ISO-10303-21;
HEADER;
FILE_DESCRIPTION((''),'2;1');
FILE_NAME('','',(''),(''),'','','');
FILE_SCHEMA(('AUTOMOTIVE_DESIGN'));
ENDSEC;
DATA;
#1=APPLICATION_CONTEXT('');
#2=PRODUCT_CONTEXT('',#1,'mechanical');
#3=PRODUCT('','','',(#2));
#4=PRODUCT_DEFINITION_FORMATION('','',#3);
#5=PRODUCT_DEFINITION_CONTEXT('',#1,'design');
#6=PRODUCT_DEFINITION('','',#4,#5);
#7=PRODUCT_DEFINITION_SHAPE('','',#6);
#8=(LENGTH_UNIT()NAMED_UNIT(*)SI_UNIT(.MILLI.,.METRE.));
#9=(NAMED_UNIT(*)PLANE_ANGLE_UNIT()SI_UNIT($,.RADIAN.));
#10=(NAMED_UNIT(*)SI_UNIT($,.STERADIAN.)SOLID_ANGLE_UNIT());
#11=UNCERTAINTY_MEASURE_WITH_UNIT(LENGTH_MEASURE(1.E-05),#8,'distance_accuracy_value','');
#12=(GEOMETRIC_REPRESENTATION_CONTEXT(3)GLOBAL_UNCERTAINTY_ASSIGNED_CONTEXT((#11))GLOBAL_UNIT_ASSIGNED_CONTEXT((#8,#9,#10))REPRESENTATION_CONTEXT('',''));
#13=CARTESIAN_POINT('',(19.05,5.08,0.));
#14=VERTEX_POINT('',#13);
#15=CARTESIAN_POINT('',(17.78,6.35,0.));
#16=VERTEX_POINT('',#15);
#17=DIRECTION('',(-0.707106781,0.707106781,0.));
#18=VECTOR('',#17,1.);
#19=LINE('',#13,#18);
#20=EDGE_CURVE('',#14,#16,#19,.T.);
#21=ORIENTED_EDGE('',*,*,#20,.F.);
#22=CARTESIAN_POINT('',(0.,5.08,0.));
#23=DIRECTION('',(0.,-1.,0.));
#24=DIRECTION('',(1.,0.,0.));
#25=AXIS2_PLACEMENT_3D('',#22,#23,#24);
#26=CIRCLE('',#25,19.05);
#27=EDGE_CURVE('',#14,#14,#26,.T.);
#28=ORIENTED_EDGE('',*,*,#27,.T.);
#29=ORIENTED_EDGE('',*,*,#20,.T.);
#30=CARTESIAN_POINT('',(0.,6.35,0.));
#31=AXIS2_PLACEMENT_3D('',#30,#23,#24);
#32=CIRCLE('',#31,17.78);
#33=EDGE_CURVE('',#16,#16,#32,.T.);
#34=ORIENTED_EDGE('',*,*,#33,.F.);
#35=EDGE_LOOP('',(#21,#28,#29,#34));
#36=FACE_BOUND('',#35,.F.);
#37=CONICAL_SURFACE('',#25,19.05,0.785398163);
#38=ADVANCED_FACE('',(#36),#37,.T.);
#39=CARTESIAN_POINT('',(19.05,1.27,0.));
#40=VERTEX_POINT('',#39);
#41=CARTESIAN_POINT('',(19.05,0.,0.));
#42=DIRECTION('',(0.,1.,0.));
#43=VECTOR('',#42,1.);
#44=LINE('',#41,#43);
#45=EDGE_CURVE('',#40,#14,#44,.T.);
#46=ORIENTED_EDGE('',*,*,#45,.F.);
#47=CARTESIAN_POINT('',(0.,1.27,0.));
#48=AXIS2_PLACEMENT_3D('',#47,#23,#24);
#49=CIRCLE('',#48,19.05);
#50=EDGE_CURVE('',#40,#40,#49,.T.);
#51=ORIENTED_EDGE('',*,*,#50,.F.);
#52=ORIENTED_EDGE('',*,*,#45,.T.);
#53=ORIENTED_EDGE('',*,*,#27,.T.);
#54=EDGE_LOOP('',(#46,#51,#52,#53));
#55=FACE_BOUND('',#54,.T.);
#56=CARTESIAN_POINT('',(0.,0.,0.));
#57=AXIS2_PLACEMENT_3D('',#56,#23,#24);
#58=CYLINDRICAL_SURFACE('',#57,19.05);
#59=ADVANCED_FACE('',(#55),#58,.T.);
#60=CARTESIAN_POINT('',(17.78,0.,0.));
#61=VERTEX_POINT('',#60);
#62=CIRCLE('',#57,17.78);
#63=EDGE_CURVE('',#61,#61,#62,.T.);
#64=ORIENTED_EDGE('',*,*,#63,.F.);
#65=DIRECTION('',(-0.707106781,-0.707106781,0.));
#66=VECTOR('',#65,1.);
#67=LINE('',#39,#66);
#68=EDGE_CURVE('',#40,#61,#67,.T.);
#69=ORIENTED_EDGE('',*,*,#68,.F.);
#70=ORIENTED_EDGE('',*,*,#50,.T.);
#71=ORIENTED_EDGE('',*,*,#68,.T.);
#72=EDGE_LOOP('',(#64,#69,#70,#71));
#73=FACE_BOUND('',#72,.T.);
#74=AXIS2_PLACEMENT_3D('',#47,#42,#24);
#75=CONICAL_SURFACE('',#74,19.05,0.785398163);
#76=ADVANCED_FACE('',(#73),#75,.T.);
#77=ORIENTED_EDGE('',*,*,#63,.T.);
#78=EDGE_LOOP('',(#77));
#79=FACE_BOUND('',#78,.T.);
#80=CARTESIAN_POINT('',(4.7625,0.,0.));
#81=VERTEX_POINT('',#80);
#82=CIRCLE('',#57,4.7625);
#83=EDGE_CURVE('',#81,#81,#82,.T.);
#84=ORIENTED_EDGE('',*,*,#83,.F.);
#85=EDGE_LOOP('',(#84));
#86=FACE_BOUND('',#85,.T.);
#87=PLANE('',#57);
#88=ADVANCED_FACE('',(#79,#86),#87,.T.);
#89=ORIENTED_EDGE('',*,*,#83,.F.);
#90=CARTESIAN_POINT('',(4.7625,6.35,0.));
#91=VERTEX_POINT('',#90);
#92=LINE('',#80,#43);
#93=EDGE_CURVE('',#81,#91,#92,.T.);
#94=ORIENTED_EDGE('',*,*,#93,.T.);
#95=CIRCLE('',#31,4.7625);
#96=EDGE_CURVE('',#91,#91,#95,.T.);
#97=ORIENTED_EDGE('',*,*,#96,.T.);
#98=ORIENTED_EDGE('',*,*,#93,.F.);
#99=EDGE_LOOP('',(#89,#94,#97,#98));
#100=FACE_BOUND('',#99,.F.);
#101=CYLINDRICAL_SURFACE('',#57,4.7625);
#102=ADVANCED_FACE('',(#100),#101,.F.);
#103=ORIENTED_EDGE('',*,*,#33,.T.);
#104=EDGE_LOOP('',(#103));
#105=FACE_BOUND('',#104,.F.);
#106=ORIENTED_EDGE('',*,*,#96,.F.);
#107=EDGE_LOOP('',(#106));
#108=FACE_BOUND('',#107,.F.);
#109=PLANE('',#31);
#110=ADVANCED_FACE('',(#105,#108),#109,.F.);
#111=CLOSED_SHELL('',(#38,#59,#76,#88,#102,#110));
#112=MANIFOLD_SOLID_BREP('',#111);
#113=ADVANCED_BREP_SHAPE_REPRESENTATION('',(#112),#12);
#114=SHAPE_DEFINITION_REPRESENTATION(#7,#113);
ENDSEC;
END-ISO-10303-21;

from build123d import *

# Parameters (mm, degrees)
F0_R     = 19.05
F0_R_2   = 4.7625
F1_DEPTH = 6.35
F2_SIZE  = 1.27


with BuildPart() as f1:
    # F0 (on Front) → F1 (new body)
    with BuildSketch(Plane.XZ):
        Circle(F0_R)
        Circle(F0_R_2, mode=Mode.SUBTRACT)
    extrude(amount=-F1_DEPTH)

    # F2
    f2_edges = [f1.edges().sort_by_distance(p)[0] for p in [
        (-19.05, 0, 0),
        (-19.05, 6.35, 0),
    ]]
    chamfer(f2_edges, length=F2_SIZE)


solid = f1.part
